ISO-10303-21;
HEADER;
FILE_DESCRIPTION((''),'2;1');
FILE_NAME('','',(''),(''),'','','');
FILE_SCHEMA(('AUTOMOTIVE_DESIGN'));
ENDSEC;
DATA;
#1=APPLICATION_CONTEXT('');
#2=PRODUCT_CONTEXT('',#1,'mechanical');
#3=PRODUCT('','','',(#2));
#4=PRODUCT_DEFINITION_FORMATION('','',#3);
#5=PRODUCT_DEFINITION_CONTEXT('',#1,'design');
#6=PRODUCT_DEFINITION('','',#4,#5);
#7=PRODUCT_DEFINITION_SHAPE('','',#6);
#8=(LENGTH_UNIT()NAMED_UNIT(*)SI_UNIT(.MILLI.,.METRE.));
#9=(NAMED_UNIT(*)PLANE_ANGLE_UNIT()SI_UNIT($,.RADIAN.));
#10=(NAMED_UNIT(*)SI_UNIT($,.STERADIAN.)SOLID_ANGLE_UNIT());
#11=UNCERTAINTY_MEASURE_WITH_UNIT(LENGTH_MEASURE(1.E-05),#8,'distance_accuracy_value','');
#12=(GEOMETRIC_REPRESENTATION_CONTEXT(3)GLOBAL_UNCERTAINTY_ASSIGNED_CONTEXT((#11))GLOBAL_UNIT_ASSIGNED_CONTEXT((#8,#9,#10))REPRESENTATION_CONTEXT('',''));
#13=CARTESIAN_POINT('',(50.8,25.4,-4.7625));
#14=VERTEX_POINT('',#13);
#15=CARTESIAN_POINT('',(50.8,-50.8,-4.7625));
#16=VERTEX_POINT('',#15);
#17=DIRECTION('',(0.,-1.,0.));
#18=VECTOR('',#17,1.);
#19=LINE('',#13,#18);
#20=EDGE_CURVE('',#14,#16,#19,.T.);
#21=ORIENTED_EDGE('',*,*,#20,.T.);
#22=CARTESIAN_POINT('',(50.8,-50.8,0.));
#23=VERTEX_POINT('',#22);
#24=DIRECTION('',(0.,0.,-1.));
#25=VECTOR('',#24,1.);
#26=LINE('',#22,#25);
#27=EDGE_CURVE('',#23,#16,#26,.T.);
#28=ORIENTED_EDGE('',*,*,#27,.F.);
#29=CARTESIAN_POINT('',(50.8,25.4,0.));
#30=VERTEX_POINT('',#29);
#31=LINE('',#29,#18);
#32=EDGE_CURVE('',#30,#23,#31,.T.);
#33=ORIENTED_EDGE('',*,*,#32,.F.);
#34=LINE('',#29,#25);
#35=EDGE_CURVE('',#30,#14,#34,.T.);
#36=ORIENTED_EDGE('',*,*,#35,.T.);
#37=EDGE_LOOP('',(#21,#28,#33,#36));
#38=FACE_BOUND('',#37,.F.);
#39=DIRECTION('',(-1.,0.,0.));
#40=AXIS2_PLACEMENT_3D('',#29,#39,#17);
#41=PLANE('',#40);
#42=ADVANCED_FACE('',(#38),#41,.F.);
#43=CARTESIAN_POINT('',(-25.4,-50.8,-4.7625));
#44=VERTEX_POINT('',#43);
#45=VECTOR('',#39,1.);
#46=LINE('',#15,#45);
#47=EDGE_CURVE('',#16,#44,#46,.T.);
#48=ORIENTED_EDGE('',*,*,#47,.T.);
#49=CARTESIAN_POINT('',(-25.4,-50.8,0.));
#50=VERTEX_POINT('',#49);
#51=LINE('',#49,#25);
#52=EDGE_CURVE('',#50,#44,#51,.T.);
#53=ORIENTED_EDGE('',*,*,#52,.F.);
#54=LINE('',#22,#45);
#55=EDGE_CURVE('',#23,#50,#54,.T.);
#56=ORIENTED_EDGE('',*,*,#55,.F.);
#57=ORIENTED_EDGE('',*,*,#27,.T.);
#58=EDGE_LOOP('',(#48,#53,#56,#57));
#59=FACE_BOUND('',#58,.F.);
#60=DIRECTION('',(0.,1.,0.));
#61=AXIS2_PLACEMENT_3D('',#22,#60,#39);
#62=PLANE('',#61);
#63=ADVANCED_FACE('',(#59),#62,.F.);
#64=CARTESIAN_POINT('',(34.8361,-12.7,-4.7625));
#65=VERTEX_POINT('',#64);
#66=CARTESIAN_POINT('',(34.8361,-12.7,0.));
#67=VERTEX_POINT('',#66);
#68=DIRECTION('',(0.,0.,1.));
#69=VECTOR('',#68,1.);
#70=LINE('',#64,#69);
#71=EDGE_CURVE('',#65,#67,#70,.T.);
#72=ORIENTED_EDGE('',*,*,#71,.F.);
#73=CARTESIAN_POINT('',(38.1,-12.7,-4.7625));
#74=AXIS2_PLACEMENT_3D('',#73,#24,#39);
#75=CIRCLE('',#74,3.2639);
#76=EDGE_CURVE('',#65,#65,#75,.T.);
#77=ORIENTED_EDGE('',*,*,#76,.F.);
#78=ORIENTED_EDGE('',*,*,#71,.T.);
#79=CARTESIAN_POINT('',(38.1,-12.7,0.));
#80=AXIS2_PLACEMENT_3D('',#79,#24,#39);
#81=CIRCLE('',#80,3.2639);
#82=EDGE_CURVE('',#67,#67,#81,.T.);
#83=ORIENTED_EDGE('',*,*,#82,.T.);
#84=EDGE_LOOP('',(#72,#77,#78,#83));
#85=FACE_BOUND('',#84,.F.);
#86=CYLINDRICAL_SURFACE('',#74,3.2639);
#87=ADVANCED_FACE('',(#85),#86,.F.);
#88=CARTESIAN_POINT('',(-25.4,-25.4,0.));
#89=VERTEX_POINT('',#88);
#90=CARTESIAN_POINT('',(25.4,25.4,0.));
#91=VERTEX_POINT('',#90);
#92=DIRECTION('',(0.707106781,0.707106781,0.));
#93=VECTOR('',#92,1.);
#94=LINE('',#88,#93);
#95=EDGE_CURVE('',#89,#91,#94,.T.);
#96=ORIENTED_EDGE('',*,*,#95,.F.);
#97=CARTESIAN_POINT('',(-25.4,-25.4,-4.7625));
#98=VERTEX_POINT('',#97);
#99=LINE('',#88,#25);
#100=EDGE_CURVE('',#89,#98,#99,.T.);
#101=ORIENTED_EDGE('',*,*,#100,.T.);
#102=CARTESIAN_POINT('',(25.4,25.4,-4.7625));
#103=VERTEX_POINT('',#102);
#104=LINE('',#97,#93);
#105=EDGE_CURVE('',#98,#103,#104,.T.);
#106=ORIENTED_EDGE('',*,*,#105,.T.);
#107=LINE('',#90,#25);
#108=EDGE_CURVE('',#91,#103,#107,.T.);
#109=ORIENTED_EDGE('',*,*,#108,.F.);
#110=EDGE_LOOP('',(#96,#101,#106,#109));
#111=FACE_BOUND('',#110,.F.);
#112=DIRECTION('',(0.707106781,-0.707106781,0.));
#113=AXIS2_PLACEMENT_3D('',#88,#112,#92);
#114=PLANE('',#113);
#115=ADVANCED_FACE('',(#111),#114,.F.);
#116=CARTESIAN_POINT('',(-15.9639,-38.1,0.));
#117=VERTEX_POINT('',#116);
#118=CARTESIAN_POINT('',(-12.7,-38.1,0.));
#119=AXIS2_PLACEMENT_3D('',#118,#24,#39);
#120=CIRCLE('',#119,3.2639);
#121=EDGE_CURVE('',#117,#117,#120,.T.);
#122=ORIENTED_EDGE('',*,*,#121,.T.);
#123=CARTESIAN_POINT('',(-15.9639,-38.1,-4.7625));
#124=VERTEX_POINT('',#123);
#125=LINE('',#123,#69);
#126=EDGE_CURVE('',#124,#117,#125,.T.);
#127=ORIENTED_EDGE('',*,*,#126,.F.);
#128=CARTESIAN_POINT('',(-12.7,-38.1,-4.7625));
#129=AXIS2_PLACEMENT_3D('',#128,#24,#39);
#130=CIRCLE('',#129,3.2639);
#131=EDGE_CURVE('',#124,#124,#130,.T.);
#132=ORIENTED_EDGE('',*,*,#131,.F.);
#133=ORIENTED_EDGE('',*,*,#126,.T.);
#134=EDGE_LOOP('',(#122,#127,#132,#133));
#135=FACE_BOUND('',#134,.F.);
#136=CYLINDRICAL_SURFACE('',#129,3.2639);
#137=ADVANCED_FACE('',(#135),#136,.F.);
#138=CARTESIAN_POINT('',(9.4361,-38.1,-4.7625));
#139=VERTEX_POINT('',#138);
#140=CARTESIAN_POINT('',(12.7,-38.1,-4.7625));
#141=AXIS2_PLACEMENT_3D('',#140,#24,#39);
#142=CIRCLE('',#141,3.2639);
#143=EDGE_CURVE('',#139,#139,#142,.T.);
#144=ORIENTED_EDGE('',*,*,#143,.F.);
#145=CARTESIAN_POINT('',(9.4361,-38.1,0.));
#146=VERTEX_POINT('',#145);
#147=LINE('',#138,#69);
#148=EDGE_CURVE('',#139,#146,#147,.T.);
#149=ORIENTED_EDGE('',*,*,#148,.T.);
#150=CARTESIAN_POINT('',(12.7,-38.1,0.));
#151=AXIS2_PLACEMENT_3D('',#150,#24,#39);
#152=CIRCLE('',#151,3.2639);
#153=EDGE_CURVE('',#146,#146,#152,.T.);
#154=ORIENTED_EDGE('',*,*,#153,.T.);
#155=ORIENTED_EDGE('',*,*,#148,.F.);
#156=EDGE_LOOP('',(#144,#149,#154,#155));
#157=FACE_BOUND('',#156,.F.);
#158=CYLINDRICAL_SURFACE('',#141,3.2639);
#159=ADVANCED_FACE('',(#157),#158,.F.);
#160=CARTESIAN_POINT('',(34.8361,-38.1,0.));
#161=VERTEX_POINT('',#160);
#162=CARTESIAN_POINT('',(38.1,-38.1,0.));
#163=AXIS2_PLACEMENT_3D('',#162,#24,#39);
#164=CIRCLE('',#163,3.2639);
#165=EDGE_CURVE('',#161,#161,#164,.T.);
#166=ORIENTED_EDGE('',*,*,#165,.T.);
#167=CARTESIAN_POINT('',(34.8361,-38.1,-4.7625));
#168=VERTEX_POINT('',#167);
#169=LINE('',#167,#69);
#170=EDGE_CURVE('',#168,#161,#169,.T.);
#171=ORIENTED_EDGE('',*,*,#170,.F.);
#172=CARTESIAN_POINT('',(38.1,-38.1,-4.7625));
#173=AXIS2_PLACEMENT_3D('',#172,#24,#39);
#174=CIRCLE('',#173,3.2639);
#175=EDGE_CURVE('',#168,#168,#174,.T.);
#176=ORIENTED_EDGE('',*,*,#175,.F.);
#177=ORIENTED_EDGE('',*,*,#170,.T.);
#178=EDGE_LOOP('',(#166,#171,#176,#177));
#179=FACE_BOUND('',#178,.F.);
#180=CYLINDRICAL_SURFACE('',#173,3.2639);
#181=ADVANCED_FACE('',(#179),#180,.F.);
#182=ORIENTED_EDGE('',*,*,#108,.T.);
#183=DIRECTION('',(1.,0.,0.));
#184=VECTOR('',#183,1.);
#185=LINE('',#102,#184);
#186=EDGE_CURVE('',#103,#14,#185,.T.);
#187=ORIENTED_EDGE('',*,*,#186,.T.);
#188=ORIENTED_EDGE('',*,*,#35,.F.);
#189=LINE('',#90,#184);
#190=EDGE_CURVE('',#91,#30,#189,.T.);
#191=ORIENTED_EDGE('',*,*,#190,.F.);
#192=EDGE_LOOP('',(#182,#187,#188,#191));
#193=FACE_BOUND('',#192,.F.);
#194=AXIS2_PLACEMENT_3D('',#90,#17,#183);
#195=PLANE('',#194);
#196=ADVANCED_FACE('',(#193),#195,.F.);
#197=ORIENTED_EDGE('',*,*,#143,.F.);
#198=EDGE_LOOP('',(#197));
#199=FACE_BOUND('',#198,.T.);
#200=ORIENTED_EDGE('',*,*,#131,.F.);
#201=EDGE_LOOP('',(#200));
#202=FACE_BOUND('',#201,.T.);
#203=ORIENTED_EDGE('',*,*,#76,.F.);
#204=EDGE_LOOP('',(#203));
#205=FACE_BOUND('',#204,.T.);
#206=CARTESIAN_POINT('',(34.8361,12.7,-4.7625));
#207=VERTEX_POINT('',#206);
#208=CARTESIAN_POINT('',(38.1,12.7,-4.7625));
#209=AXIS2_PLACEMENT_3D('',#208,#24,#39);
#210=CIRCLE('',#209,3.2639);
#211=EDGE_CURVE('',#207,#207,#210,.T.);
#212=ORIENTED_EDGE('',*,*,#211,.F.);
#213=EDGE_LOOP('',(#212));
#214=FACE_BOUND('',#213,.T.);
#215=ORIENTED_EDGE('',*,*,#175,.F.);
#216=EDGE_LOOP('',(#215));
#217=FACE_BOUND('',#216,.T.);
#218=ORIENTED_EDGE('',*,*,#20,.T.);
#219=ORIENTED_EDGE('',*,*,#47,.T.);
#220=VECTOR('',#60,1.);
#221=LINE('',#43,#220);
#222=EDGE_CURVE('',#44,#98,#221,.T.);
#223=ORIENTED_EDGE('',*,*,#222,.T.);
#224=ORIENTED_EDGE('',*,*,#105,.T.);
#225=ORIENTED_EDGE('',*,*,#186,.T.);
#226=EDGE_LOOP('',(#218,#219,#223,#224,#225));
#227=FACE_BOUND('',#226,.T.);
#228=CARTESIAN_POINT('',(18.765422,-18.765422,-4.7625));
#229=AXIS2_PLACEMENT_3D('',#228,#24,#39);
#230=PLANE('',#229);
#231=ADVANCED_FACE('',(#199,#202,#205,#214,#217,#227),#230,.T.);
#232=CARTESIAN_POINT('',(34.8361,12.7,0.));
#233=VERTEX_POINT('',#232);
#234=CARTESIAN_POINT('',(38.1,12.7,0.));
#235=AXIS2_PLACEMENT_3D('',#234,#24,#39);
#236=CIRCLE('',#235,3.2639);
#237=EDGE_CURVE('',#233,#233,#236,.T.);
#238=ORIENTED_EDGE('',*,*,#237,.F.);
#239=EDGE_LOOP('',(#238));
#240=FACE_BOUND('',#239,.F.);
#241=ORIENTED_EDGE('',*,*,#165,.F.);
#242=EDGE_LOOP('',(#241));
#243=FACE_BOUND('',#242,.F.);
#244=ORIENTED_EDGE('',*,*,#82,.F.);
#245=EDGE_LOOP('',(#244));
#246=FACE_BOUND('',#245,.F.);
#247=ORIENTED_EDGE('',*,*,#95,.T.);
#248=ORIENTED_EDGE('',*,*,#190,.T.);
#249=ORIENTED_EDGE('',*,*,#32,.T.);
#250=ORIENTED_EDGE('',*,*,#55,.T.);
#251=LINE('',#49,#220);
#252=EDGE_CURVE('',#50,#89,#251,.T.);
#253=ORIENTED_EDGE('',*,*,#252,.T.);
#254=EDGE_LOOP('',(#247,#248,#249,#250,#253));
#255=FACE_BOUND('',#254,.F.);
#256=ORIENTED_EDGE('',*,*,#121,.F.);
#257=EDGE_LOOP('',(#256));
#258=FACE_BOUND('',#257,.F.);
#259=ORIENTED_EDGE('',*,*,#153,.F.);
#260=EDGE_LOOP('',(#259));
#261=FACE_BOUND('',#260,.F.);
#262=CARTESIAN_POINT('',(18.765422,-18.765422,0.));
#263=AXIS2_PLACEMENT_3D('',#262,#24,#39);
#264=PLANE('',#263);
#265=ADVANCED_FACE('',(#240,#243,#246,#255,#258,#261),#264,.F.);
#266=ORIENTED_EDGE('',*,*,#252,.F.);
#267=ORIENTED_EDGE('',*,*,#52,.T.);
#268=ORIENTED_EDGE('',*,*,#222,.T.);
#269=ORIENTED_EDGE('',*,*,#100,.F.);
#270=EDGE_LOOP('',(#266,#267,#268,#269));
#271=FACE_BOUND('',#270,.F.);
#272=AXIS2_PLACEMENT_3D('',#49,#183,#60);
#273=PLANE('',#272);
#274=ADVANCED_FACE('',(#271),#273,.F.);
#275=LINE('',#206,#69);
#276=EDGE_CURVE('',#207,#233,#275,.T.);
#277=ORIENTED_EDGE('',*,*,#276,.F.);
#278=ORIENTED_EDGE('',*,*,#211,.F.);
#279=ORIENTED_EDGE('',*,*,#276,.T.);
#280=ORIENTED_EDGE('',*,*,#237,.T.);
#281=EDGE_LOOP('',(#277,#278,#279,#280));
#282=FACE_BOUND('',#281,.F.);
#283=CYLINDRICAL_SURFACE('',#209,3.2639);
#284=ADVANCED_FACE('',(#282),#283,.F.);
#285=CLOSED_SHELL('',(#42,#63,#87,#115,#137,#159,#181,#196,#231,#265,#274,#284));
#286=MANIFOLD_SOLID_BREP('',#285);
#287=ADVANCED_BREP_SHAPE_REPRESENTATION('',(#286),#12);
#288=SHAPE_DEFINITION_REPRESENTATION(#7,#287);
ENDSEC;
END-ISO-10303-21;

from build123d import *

# Parameters (mm, degrees)
EXTRUDE1_DEPTH  = 4.7625
SKETCH2_R       = 3.2639
SINGLE_90_DEPTH = 5.7625


with BuildPart() as part:
    # Sketch1 → Extrude1 (new body)
    with BuildSketch(Plane.XY):
        Polygon((25.4, 25.4), (50.8, 25.4), (50.8, -50.8), (-25.4, -50.8), (-25.4, -25.4), align=None)
    extrude(amount=-EXTRUDE1_DEPTH)

    # Sketch2 → single 90 (cut, through all)
    with BuildSketch(Plane(origin=(0, 0, -4.7625), x_dir=(-1, 0, 0), z_dir=(0, 0, -1))):
        with Locations((-38.1, -38.1)):
            Circle(SKETCH2_R)
        with Locations((-12.7, -38.1)):
            Circle(SKETCH2_R)
        with Locations((12.7, -38.1)):
            Circle(SKETCH2_R)
        with Locations((-38.1, -12.7)):
            Circle(SKETCH2_R)
        with Locations((-38.1, 12.7)):
            Circle(SKETCH2_R)
    extrude(amount=-SINGLE_90_DEPTH, mode=Mode.SUBTRACT)


solid = part.part
